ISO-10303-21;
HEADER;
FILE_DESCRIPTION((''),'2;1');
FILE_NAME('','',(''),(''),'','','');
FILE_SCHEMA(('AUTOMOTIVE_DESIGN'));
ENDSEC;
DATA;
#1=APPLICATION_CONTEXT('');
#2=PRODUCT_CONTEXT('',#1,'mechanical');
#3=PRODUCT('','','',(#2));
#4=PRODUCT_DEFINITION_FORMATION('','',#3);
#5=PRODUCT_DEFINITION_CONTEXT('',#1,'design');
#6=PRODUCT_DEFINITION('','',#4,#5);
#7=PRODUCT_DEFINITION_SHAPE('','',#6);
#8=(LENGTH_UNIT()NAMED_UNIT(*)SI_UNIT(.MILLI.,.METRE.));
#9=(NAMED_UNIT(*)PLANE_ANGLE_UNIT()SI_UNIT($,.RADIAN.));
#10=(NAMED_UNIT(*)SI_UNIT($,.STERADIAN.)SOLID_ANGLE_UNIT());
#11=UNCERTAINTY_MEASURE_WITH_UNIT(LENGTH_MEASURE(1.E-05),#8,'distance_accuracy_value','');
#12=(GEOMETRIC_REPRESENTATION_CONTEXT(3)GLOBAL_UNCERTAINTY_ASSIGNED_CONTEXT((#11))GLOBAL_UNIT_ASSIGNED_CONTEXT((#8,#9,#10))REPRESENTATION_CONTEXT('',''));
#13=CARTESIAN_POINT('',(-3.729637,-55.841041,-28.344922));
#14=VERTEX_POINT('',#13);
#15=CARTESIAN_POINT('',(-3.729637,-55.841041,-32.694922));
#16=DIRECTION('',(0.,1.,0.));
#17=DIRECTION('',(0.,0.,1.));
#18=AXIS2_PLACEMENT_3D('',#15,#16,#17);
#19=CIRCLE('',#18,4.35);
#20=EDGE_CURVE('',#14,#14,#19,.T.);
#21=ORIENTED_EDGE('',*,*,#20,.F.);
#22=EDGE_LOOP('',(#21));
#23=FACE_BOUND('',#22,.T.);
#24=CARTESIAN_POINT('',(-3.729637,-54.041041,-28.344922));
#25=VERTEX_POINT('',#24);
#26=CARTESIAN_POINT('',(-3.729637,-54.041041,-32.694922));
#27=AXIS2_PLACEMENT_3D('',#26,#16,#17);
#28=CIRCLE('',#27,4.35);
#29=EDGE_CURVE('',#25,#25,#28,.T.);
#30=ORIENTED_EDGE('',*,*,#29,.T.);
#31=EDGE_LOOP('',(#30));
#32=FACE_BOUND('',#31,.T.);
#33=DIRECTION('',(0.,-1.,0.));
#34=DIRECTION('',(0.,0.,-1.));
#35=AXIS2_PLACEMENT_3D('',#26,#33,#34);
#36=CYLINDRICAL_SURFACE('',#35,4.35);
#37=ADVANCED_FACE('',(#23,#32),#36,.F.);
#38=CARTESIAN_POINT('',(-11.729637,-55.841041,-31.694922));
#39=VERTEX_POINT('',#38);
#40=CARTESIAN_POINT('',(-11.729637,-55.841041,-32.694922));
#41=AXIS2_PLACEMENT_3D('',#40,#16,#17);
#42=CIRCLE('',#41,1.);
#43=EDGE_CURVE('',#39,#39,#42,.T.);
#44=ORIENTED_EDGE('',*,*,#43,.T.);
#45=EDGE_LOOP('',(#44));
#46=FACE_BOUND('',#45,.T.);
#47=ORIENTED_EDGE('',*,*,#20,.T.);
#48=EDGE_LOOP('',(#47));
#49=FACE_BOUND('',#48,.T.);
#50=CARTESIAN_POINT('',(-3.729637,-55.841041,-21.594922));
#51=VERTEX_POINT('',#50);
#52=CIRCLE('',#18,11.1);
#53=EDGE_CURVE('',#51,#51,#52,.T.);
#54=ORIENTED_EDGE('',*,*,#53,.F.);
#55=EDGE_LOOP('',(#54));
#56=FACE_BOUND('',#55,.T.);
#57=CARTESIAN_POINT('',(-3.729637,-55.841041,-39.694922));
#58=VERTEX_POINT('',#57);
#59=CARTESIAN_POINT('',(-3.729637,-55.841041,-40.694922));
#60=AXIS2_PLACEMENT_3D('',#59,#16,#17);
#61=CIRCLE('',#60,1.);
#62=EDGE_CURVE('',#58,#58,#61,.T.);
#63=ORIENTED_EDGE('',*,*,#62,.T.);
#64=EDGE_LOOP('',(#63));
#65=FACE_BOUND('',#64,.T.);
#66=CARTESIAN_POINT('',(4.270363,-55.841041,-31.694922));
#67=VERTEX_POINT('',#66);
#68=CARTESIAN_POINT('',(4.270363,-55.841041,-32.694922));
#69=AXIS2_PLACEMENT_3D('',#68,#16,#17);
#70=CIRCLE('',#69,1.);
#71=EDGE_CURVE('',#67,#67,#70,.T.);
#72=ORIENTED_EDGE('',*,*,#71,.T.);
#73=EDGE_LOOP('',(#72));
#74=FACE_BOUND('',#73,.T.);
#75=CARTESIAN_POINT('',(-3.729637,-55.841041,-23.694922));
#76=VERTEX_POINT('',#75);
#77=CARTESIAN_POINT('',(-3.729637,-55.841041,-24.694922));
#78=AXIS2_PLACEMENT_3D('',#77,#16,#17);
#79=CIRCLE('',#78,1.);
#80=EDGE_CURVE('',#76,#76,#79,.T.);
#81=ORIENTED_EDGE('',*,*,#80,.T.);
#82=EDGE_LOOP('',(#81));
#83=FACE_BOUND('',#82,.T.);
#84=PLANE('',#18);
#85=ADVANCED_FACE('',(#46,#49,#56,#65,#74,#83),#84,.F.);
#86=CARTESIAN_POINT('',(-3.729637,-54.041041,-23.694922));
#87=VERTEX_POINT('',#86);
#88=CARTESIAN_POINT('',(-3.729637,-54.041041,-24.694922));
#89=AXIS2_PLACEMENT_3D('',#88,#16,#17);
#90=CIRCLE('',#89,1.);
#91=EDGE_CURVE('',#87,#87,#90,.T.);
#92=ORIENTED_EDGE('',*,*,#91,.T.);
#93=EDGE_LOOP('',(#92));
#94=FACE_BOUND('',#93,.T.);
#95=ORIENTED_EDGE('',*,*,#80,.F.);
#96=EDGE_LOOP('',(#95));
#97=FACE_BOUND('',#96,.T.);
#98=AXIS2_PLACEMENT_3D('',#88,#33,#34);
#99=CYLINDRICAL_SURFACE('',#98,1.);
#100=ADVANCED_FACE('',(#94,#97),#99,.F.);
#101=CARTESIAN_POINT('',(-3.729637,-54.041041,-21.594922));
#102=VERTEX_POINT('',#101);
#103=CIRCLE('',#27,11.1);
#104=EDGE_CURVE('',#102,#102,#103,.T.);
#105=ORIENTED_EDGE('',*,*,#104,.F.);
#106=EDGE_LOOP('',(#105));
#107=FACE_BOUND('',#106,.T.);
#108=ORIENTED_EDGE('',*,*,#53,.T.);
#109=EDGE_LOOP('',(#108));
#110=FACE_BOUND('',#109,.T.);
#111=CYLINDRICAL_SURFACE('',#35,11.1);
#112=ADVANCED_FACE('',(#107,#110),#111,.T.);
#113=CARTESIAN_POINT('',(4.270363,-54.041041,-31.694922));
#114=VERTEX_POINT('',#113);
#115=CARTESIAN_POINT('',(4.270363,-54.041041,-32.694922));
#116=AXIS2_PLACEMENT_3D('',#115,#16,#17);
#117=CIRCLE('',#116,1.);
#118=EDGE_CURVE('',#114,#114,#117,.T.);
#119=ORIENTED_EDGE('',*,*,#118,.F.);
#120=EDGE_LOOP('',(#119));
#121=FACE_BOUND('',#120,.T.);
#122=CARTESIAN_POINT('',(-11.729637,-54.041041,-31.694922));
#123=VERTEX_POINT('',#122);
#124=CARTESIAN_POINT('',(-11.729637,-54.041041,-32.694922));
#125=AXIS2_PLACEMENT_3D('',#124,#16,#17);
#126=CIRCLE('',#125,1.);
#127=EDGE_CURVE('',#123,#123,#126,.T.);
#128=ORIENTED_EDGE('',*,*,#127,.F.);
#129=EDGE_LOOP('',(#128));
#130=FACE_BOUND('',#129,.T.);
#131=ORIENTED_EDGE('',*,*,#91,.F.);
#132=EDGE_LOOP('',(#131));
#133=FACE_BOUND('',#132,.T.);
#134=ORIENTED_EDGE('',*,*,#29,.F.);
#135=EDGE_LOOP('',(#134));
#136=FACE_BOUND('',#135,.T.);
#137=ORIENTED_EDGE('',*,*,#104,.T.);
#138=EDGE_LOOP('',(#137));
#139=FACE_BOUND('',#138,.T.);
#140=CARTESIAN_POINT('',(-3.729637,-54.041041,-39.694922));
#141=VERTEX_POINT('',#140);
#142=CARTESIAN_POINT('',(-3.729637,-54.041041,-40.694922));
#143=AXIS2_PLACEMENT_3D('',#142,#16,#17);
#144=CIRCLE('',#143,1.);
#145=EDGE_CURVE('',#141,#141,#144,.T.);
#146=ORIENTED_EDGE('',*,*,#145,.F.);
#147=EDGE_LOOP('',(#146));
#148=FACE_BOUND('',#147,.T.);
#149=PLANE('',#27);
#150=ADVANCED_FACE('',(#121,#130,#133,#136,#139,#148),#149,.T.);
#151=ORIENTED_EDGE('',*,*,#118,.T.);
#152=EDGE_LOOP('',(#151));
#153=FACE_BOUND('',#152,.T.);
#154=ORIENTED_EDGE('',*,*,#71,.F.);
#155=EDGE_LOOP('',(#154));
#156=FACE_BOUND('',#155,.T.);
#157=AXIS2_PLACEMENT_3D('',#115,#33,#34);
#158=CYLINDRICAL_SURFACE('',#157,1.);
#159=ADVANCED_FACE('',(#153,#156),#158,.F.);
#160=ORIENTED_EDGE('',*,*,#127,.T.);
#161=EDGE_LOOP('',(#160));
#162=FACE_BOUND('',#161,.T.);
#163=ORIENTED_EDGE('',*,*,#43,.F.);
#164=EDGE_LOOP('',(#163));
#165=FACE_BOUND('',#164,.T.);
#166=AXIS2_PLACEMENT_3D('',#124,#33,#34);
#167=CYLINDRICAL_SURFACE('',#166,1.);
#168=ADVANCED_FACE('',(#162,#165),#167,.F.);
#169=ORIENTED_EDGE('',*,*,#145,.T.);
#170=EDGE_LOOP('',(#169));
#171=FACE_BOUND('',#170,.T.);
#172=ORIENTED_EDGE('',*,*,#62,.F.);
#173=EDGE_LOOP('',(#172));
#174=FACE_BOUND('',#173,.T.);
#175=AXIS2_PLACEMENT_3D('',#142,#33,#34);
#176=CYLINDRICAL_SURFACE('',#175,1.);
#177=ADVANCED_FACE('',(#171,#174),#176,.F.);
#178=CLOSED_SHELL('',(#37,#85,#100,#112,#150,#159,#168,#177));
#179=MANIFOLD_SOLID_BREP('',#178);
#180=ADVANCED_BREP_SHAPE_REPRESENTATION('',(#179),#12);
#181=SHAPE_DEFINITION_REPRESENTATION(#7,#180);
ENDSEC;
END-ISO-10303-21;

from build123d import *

# Parameters (mm, degrees)
CROQUIS1_R              = 11.1
CROQUIS1_R_2            = 1
CROQUIS1_R_3            = 4.35
SALIENTE_EXTRUIR1_DEPTH = 1.8


with BuildPart() as part:
    # Croquis1 → Saliente-Extruir1 (new body)
    with BuildSketch(Plane(origin=(0, -55.841040513, 0), x_dir=(1, 0, 0), z_dir=(0, 1, 0))):
        with Locations(Location((-3.729637197, 32.694922326, 0), (0, 0, 270))):
            Circle(CROQUIS1_R)
        with Locations(Location((-11.729637197, 32.694922326, 0), (0, 0, 270))):
            Circle(CROQUIS1_R_2, mode=Mode.SUBTRACT)
        with Locations(Location((-3.729637197, 40.694922326, 0), (0, 0, 270))):
            Circle(CROQUIS1_R_2, mode=Mode.SUBTRACT)
        with Locations(Location((4.270362803, 32.694922326, 0), (0, 0, 270))):
            Circle(CROQUIS1_R_2, mode=Mode.SUBTRACT)
        with Locations(Location((-3.729637197, 24.694922326, 0), (0, 0, 270))):
            Circle(CROQUIS1_R_2, mode=Mode.SUBTRACT)
        with Locations(Location((-3.729637197, 32.694922326, 0), (0, 0, 270))):
            Circle(CROQUIS1_R_3, mode=Mode.SUBTRACT)
    extrude(amount=SALIENTE_EXTRUIR1_DEPTH)


solid = part.part
